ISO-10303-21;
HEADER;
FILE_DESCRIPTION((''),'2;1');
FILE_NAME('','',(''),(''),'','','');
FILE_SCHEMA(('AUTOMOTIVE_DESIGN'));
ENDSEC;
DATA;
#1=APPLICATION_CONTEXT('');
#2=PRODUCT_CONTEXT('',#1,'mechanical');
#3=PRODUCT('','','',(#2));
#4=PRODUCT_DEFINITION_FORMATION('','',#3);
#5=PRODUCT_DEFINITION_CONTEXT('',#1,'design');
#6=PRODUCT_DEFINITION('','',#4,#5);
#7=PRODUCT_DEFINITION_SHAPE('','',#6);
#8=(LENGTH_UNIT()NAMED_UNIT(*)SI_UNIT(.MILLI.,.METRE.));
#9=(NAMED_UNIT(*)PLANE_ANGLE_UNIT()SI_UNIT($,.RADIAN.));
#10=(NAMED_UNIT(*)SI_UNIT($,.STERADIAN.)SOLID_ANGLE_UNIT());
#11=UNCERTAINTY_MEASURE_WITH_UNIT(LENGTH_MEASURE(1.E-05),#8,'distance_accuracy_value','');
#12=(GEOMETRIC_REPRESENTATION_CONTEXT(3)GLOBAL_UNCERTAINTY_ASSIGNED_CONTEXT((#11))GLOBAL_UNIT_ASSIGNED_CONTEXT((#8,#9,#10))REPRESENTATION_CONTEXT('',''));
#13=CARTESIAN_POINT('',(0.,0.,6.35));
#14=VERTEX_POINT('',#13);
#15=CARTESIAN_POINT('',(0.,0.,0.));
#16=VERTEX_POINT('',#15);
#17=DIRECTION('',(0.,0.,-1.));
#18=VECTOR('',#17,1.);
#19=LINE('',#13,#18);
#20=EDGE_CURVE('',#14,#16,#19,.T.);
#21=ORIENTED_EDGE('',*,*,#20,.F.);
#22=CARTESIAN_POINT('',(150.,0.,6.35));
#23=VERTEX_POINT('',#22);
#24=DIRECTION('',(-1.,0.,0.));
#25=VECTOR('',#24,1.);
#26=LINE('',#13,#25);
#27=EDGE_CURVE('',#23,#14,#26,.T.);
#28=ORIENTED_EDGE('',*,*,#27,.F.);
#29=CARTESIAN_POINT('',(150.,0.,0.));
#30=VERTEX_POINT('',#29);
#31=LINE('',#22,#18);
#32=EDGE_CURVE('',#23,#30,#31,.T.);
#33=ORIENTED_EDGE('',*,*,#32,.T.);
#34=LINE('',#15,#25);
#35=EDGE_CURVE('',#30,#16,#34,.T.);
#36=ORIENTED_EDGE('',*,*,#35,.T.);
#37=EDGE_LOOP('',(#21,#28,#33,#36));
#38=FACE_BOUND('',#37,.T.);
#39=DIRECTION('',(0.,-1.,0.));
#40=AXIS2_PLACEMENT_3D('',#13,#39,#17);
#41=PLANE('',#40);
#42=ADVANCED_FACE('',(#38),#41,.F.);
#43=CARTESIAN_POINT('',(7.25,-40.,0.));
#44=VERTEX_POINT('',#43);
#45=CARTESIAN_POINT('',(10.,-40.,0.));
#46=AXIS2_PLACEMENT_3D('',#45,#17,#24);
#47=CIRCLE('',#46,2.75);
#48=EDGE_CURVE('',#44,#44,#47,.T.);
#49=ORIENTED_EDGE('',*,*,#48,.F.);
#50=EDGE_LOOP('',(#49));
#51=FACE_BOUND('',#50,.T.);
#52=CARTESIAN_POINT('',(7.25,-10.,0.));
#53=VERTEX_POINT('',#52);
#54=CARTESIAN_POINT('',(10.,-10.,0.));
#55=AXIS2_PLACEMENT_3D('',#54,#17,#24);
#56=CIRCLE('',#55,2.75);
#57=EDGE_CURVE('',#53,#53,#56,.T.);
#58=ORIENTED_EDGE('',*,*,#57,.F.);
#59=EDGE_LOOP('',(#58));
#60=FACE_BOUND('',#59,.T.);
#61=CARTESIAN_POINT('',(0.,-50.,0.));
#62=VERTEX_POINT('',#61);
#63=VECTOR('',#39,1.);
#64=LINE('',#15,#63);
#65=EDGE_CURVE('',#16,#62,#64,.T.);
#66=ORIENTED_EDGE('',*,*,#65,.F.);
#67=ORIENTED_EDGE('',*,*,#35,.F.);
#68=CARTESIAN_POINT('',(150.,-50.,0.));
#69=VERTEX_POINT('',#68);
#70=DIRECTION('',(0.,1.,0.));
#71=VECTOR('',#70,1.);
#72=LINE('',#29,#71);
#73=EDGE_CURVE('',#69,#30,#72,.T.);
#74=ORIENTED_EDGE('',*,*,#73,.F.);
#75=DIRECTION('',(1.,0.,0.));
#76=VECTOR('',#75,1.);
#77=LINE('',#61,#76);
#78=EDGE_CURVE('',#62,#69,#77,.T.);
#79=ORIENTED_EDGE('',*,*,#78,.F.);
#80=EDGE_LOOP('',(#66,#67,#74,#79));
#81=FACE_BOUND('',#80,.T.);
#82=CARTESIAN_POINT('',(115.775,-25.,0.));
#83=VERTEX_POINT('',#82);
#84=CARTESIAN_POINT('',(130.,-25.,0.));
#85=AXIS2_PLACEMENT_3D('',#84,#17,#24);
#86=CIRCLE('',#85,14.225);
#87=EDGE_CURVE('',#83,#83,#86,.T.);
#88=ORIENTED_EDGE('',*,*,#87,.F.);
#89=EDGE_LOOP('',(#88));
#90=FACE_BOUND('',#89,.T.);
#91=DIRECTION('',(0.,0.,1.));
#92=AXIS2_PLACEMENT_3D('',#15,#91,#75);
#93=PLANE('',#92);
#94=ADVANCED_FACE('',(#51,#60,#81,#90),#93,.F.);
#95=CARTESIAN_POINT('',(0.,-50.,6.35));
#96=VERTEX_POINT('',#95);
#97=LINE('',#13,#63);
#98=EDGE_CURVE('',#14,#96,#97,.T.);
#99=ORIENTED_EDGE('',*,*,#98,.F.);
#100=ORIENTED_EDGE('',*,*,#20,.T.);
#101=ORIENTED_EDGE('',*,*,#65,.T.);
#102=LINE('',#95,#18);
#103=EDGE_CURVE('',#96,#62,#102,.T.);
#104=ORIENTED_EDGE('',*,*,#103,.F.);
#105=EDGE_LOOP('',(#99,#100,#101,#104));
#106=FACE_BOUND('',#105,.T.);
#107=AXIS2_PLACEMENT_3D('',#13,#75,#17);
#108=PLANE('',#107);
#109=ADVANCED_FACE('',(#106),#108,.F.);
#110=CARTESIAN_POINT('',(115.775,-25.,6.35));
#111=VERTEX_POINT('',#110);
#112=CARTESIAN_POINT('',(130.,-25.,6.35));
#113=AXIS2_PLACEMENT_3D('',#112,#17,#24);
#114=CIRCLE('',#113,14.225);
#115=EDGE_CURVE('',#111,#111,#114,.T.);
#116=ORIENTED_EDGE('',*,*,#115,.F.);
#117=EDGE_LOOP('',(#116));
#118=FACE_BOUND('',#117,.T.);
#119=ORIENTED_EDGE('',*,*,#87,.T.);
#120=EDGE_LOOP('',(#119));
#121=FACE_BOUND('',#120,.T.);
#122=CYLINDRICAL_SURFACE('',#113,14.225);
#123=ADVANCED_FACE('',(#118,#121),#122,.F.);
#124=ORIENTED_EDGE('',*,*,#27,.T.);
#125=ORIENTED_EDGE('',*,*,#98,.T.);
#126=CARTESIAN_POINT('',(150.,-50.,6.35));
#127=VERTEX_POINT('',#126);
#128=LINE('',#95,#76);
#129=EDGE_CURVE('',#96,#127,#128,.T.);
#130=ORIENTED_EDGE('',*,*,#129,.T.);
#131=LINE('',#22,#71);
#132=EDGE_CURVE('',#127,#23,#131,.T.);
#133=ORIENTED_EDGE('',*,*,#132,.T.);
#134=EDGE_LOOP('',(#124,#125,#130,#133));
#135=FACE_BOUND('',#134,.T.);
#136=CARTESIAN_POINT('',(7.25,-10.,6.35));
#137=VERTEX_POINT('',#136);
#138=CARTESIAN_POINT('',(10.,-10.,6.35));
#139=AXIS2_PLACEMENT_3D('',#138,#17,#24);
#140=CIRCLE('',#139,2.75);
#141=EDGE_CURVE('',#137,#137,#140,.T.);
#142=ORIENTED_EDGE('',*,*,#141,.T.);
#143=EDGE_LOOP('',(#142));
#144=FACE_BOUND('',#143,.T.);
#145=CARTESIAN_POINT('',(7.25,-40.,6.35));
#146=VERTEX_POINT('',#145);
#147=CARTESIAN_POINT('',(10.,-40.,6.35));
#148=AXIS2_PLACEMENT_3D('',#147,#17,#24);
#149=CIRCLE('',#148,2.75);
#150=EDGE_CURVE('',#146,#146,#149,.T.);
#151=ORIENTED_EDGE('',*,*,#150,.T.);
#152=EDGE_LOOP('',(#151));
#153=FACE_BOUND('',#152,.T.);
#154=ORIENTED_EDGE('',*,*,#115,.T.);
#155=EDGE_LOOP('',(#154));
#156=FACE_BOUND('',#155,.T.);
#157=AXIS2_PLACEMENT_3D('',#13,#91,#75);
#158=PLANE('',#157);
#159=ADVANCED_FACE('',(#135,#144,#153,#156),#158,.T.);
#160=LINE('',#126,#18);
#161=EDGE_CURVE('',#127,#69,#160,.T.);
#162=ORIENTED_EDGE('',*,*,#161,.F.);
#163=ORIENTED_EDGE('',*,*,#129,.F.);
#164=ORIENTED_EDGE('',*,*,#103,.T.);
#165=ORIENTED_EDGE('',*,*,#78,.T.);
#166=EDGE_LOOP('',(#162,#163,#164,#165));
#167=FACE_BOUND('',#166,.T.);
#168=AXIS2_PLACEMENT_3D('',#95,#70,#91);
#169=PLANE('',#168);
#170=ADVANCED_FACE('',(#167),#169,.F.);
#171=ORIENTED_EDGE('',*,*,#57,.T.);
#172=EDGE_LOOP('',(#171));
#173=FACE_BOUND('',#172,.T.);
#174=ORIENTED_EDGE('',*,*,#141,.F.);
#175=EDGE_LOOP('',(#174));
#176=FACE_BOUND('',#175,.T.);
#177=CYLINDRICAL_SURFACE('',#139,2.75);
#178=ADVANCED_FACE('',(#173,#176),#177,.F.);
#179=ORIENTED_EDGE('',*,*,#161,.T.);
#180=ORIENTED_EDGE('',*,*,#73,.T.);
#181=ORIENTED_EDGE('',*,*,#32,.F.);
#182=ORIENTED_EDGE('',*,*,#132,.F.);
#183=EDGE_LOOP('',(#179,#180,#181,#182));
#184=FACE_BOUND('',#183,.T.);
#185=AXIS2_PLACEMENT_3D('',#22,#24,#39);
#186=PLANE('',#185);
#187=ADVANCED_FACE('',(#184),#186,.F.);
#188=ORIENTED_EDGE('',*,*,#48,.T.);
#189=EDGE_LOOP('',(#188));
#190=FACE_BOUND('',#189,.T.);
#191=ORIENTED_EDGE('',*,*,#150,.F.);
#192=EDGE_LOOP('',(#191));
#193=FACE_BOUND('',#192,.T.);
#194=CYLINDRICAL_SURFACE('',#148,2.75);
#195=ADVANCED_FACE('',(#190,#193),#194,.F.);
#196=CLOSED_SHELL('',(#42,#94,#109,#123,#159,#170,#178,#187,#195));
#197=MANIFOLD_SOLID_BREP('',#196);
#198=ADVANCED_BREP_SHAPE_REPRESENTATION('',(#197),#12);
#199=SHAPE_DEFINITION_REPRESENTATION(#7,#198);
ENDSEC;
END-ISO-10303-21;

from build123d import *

# Parameters (mm, degrees)
SKETCH1_W           = 150
SKETCH1_H           = 50
BOSS_EXTRUDE1_DEPTH = 6.35
SKETCH2_R           = 14.225
CUT_EXTRUDE1_DEPTH  = 7.35
SKETCH3_R           = 2.75
CUT_EXTRUDE2_DEPTH  = 7.35


with BuildPart() as part:
    # Sketch1 → Boss-Extrude1 (new body)
    with BuildSketch(Plane.XY):
        with Locations((75, -25)):
            Rectangle(SKETCH1_W, SKETCH1_H)
    extrude(amount=BOSS_EXTRUDE1_DEPTH)

    # Sketch2 → Cut-Extrude1 (cut, through all)
    with BuildSketch(Plane(origin=(0, 0, 0), x_dir=(-1, 0, 0), z_dir=(0, 0, -1))):
        with Locations((-130, -25)):
            Circle(SKETCH2_R)
    extrude(amount=-CUT_EXTRUDE1_DEPTH, mode=Mode.SUBTRACT)

    # Sketch3 → Cut-Extrude2 (cut, through all)
    with BuildSketch(Plane(origin=(0, 0, 0), x_dir=(-1, 0, 0), z_dir=(0, 0, -1))):
        with Locations((-10, -10)):
            Circle(SKETCH3_R)
        with Locations((-10, -40)):
            Circle(SKETCH3_R)
    extrude(amount=-CUT_EXTRUDE2_DEPTH, mode=Mode.SUBTRACT)


solid = part.part
